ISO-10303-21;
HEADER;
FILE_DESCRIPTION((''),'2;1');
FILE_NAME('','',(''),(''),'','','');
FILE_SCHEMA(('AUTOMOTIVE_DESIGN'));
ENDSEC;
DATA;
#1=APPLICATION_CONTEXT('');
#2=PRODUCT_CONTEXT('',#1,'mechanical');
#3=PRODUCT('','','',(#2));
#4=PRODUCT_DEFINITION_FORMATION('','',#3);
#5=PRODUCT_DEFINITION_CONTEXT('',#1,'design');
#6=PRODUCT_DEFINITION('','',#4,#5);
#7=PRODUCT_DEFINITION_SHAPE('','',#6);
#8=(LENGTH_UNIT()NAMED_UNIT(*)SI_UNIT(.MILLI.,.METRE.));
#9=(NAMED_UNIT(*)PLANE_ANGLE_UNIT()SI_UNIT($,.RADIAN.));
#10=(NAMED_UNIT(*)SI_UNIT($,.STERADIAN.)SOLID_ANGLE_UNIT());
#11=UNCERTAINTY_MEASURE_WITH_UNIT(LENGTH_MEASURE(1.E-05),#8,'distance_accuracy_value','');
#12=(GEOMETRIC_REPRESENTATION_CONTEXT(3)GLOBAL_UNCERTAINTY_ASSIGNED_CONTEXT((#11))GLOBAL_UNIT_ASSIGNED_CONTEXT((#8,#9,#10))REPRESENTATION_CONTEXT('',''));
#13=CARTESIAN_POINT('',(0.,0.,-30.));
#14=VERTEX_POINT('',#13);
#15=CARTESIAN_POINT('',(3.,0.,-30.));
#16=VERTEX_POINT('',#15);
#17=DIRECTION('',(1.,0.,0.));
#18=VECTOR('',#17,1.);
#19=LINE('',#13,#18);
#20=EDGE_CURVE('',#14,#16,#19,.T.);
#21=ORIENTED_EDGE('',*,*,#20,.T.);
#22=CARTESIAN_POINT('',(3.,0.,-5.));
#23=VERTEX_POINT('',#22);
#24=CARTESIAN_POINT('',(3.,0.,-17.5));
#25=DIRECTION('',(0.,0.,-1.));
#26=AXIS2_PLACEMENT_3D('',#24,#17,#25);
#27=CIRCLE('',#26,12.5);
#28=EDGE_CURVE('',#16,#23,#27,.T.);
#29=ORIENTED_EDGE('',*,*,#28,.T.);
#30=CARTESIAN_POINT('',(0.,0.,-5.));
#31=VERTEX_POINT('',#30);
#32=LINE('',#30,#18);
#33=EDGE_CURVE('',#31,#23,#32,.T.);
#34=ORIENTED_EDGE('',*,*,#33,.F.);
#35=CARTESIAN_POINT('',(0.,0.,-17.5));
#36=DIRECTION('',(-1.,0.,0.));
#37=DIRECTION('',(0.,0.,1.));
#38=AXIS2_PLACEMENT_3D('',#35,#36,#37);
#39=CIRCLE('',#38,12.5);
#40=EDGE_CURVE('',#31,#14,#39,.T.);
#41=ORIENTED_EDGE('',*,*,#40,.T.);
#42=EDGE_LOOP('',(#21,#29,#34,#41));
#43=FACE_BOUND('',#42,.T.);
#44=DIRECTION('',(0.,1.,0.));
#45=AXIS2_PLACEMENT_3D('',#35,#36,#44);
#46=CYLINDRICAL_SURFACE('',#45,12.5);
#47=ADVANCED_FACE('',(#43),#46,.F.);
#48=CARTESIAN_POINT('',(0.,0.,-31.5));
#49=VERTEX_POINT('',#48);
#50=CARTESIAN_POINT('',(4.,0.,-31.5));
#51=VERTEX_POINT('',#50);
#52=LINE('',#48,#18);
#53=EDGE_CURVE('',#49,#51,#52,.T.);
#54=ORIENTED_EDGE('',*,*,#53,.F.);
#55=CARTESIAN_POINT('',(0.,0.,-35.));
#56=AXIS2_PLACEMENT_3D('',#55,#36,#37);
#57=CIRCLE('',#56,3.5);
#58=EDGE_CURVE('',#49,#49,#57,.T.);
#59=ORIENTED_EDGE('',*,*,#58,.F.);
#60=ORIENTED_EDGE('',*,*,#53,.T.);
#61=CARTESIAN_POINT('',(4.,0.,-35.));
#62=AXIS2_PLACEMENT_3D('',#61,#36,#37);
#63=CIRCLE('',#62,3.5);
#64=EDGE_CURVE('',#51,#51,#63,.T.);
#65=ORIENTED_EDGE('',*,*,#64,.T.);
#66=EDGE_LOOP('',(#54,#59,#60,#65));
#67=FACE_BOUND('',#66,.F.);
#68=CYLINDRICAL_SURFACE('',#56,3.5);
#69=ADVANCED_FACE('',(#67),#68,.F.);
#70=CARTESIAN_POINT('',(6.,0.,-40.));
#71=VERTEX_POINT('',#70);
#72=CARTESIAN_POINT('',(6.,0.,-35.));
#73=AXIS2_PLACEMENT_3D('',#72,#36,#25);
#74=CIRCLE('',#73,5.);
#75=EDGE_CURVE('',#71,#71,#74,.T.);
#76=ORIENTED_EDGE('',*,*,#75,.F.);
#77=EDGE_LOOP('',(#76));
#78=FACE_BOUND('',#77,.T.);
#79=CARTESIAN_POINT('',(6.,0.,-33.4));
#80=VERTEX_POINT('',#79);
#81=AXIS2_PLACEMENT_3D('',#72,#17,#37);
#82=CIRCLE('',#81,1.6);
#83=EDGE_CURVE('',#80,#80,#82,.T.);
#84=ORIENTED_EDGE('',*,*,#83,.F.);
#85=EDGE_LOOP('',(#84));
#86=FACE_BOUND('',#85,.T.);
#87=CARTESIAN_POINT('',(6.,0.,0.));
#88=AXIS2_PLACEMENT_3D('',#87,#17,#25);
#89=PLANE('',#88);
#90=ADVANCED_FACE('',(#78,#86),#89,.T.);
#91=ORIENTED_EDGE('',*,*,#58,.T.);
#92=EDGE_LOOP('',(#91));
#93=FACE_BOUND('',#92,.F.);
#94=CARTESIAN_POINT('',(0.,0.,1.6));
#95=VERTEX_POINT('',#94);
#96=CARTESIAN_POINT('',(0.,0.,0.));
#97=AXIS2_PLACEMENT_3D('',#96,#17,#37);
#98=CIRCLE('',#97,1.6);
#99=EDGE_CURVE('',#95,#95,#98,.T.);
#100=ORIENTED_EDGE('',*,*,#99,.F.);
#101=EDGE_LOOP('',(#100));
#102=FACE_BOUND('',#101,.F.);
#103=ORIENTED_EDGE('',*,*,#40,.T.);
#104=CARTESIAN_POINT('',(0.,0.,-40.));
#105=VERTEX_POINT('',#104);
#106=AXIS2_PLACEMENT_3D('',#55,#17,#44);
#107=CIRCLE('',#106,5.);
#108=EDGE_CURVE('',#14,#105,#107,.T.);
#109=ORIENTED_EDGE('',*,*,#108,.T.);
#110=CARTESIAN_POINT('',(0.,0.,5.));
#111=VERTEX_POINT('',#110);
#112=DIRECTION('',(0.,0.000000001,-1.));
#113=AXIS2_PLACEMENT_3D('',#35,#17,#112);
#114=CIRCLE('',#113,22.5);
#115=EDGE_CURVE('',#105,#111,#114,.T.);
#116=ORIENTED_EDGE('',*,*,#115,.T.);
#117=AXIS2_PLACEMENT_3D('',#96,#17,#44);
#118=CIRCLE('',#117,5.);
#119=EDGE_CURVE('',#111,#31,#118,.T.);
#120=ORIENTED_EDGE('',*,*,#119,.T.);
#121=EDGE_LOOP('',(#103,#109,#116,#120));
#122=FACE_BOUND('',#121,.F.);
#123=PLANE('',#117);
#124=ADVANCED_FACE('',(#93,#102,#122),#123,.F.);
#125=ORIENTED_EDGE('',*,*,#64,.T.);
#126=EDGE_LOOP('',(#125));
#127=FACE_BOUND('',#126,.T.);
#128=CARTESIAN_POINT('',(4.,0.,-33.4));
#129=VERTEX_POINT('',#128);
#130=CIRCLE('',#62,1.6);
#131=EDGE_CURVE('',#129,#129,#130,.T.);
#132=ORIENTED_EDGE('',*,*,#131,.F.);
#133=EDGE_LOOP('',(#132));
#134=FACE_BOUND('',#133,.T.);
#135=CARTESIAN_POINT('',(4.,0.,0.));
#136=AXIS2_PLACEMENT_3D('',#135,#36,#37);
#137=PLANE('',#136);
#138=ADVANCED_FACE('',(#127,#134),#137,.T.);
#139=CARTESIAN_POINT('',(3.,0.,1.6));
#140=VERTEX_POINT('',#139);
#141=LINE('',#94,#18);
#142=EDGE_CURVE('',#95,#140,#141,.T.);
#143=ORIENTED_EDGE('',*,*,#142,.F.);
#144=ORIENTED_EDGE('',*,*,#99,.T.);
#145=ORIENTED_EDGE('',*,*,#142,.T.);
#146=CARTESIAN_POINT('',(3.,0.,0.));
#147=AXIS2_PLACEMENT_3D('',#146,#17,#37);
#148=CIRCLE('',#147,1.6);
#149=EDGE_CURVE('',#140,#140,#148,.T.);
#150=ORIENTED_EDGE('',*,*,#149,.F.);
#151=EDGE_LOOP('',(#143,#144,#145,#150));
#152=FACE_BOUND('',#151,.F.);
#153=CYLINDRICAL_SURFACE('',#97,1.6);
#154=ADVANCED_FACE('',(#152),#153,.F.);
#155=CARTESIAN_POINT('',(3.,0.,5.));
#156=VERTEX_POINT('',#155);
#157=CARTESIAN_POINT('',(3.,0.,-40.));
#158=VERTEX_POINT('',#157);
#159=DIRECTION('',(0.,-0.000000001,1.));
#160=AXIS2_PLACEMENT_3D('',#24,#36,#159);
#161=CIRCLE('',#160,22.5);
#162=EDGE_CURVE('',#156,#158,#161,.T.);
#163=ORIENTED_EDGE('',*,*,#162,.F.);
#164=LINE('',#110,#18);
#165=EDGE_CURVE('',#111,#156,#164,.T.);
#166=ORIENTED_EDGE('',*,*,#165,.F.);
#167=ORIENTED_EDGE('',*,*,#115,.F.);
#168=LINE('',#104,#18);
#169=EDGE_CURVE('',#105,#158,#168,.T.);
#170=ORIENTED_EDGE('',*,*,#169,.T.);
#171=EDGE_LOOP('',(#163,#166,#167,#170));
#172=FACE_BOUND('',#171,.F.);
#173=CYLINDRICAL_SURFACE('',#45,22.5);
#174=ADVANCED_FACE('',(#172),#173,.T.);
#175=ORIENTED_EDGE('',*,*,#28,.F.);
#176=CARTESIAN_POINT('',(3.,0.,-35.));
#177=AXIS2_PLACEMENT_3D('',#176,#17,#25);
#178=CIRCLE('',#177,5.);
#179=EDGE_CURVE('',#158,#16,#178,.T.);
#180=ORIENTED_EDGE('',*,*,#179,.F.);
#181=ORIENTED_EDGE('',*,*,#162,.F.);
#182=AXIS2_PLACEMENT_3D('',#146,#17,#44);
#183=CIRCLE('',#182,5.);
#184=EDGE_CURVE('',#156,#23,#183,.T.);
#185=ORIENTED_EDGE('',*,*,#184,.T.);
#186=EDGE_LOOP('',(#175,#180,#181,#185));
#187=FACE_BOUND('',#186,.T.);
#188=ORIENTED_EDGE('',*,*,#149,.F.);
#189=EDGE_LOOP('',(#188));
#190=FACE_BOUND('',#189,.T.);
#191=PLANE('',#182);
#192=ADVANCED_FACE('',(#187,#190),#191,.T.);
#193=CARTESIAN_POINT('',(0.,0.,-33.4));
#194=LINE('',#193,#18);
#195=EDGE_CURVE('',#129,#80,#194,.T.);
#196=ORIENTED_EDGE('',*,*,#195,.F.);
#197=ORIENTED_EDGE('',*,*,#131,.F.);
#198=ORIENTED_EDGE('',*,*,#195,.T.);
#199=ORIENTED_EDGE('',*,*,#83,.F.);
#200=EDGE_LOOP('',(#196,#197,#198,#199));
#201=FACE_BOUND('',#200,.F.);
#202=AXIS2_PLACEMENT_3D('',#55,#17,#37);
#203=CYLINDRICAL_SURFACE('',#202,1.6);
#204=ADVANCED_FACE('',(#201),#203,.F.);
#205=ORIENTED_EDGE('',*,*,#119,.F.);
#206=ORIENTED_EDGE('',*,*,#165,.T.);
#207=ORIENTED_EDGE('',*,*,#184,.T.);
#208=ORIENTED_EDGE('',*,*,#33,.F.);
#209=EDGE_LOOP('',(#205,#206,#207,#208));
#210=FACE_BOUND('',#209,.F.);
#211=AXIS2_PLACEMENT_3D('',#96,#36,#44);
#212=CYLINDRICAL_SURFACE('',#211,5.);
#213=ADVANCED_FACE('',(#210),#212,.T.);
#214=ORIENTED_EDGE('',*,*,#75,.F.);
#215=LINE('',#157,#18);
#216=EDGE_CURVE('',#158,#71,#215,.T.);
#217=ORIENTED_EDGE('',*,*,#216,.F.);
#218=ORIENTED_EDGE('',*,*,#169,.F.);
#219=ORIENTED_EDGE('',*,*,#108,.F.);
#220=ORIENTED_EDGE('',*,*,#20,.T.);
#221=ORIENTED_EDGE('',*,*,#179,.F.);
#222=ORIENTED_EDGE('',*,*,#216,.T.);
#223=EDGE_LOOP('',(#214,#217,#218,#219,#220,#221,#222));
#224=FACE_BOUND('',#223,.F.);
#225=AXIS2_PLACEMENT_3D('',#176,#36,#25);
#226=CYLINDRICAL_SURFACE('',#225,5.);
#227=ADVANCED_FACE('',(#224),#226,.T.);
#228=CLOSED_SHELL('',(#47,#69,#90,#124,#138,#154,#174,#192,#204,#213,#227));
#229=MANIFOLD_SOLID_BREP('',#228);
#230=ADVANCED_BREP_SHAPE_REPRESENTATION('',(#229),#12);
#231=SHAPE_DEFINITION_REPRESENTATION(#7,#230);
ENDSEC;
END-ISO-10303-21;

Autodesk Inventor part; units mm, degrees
ref_plane "YZ Plane" through (0, 0, 0) normal (1, 0, 0) x (0, 1, 0)
ref_plane "XZ Plane" through (0, 0, 0) normal (0, 1, 0) x (-1, 0, 0)
ref_plane "XY Plane" through (0, 0, 0) normal (0, 0, 1) x (1, 0, 0)
sketch "スケッチ1" plane through (0, 0, 0) normal (1, 0, 0) x (0, 1, 0)
  circle A0 centre (0, 0) radius 5
  circle A1 centre (0, -35) radius 5
  line L0 (0, 0) -> (0, -35)
  circle A2 centre (0, -17.5) radius 12.5
  circle A3 centre (0, -17.5) radius 22.5
  point P0 (0, 5)
  point P1 (0, -5)
  point P2 (0, -30)
  point P3 (0, -40)
  dimension "d0" = 10
  dimension "d1" = 10
  dimension "d2" = 35
extrude "押し出し1" add sketch "スケッチ1" along normal blind 3 contours A0 | A0 A3 A1 A2 | A1 picked at (8.8989, -32.0838)
sketch "スケッチ2" plane through (3, 0, 0) normal (1, 0, 0) x (0, 0, -1)
  arc A0 (30, 0) -> (40, 0) centre (35, 0) ccw projected
  circle A1 centre (35, 0) radius 5
  point P0 (0, 0)
  point P1 (40, 0)
  point P2 (30, 0)
  dimension "d5" = 10
extrude "押し出し2" add sketch "スケッチ2" along normal blind 3
sketch "スケッチ3" plane through (0, 0, 0) normal (-1, 0, 0) x (0, 0, 1)
  arc A0 (-40, 0) -> (-30, 0) centre (-35, 0) ccw projected
  arc A1 (-5, 0) -> (5, 0) centre (0, 0) ccw projected
hole "穴1" at (0, 0, -35) at (0, 0, 0) direction (1, 0, 0) diameter 3.2 end through all
sketch "スケッチ4" plane through (0, 0, 0) normal (-1, 0, 0) x (0, 0, 1)
  circle A0 centre (-35, 0) radius 1.6 projected
  circle A1 centre (-35, 0) radius 3.5
  point P0 (0, 0)
  dimension "d15" = 7
extrude "押し出し3" cut sketch "スケッチ4" against normal blind 4
properties part number "endeff_3dp3" material "ABS プラスチック"
